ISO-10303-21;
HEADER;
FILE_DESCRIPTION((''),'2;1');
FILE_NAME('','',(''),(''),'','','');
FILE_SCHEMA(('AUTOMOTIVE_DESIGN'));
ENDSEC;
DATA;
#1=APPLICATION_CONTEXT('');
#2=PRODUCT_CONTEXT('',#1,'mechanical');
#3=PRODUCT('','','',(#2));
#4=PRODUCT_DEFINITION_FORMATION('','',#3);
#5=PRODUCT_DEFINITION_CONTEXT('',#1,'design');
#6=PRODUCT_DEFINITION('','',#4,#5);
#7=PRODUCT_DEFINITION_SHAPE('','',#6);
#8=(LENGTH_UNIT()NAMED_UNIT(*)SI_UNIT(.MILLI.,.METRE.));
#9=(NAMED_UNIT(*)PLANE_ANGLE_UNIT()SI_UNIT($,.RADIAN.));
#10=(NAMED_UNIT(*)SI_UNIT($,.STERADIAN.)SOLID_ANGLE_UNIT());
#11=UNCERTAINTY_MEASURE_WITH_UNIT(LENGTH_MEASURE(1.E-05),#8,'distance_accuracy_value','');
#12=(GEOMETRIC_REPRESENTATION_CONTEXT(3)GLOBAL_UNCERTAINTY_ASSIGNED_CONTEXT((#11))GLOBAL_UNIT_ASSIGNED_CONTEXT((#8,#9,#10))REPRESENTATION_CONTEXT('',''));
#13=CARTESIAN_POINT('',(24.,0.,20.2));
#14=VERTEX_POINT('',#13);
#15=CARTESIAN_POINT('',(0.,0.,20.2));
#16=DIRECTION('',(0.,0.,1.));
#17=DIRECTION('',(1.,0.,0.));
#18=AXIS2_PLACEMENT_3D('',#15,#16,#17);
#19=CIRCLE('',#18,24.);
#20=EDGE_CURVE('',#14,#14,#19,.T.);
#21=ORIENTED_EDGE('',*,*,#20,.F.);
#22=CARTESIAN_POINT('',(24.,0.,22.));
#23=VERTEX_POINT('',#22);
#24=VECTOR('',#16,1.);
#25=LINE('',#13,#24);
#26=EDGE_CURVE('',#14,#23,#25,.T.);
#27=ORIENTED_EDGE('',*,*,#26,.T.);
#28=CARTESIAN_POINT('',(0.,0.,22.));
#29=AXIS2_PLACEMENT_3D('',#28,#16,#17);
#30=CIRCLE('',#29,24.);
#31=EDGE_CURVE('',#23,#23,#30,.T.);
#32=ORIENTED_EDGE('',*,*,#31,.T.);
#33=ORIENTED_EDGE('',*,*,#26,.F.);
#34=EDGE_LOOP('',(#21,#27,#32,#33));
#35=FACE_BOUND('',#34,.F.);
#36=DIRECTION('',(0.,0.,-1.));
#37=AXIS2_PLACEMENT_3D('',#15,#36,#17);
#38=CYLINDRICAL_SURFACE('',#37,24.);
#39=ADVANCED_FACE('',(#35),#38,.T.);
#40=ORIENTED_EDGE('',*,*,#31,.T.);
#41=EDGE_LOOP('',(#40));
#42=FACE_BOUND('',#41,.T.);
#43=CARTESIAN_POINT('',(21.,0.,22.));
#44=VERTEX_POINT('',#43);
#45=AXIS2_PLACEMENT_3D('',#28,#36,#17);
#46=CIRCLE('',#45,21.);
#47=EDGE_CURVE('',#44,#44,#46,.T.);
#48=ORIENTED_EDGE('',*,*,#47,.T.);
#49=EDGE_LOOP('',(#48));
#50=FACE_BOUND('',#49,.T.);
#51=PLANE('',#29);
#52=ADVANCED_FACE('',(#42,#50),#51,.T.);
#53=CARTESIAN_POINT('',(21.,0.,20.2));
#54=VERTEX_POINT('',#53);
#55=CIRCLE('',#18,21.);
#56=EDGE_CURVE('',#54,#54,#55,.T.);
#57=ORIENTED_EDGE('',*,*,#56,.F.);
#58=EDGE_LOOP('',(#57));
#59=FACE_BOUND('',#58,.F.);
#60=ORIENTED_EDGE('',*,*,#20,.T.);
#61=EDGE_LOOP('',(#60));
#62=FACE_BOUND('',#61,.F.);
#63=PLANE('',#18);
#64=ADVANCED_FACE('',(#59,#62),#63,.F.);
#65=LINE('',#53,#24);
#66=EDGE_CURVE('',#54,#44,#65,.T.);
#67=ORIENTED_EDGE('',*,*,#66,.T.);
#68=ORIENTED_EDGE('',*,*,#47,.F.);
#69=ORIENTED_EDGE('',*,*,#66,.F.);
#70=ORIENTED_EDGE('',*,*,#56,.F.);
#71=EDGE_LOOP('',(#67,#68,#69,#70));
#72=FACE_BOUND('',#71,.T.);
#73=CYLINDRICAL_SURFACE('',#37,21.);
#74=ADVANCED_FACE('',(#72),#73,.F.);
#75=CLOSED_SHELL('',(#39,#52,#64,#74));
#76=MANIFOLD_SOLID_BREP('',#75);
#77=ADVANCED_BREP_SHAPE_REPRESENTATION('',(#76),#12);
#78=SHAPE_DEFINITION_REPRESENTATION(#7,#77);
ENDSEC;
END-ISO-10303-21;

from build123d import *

# Parameters (mm, degrees)
CYLINDER071_R     = 21
CYLINDER071_DEPTH = 2
CYLINDER070_R     = 24
CYLINDER070_DEPTH = 1.8


with BuildPart() as cylinder071:
    # Cylinder071 → Cylinder071 (new body)
    with BuildSketch(Plane.XY.offset(20)):
        Circle(CYLINDER071_R)
    extrude(amount=CYLINDER071_DEPTH)


with BuildPart() as rim_support:
    # Cylinder070 → Cylinder070 (new body)
    with BuildSketch(Plane.XY.offset(20)):
        Circle(CYLINDER070_R)
    extrude(amount=CYLINDER070_DEPTH)

    # Cut020: cut Cylinder071
    add(cylinder071.part, mode=Mode.SUBTRACT)


with BuildPart() as rim_support_1:
    # Cut020 placement: moved
    add(rim_support.part.moved(Location((0, 0, 0.2))))


solid = rim_support_1.part
